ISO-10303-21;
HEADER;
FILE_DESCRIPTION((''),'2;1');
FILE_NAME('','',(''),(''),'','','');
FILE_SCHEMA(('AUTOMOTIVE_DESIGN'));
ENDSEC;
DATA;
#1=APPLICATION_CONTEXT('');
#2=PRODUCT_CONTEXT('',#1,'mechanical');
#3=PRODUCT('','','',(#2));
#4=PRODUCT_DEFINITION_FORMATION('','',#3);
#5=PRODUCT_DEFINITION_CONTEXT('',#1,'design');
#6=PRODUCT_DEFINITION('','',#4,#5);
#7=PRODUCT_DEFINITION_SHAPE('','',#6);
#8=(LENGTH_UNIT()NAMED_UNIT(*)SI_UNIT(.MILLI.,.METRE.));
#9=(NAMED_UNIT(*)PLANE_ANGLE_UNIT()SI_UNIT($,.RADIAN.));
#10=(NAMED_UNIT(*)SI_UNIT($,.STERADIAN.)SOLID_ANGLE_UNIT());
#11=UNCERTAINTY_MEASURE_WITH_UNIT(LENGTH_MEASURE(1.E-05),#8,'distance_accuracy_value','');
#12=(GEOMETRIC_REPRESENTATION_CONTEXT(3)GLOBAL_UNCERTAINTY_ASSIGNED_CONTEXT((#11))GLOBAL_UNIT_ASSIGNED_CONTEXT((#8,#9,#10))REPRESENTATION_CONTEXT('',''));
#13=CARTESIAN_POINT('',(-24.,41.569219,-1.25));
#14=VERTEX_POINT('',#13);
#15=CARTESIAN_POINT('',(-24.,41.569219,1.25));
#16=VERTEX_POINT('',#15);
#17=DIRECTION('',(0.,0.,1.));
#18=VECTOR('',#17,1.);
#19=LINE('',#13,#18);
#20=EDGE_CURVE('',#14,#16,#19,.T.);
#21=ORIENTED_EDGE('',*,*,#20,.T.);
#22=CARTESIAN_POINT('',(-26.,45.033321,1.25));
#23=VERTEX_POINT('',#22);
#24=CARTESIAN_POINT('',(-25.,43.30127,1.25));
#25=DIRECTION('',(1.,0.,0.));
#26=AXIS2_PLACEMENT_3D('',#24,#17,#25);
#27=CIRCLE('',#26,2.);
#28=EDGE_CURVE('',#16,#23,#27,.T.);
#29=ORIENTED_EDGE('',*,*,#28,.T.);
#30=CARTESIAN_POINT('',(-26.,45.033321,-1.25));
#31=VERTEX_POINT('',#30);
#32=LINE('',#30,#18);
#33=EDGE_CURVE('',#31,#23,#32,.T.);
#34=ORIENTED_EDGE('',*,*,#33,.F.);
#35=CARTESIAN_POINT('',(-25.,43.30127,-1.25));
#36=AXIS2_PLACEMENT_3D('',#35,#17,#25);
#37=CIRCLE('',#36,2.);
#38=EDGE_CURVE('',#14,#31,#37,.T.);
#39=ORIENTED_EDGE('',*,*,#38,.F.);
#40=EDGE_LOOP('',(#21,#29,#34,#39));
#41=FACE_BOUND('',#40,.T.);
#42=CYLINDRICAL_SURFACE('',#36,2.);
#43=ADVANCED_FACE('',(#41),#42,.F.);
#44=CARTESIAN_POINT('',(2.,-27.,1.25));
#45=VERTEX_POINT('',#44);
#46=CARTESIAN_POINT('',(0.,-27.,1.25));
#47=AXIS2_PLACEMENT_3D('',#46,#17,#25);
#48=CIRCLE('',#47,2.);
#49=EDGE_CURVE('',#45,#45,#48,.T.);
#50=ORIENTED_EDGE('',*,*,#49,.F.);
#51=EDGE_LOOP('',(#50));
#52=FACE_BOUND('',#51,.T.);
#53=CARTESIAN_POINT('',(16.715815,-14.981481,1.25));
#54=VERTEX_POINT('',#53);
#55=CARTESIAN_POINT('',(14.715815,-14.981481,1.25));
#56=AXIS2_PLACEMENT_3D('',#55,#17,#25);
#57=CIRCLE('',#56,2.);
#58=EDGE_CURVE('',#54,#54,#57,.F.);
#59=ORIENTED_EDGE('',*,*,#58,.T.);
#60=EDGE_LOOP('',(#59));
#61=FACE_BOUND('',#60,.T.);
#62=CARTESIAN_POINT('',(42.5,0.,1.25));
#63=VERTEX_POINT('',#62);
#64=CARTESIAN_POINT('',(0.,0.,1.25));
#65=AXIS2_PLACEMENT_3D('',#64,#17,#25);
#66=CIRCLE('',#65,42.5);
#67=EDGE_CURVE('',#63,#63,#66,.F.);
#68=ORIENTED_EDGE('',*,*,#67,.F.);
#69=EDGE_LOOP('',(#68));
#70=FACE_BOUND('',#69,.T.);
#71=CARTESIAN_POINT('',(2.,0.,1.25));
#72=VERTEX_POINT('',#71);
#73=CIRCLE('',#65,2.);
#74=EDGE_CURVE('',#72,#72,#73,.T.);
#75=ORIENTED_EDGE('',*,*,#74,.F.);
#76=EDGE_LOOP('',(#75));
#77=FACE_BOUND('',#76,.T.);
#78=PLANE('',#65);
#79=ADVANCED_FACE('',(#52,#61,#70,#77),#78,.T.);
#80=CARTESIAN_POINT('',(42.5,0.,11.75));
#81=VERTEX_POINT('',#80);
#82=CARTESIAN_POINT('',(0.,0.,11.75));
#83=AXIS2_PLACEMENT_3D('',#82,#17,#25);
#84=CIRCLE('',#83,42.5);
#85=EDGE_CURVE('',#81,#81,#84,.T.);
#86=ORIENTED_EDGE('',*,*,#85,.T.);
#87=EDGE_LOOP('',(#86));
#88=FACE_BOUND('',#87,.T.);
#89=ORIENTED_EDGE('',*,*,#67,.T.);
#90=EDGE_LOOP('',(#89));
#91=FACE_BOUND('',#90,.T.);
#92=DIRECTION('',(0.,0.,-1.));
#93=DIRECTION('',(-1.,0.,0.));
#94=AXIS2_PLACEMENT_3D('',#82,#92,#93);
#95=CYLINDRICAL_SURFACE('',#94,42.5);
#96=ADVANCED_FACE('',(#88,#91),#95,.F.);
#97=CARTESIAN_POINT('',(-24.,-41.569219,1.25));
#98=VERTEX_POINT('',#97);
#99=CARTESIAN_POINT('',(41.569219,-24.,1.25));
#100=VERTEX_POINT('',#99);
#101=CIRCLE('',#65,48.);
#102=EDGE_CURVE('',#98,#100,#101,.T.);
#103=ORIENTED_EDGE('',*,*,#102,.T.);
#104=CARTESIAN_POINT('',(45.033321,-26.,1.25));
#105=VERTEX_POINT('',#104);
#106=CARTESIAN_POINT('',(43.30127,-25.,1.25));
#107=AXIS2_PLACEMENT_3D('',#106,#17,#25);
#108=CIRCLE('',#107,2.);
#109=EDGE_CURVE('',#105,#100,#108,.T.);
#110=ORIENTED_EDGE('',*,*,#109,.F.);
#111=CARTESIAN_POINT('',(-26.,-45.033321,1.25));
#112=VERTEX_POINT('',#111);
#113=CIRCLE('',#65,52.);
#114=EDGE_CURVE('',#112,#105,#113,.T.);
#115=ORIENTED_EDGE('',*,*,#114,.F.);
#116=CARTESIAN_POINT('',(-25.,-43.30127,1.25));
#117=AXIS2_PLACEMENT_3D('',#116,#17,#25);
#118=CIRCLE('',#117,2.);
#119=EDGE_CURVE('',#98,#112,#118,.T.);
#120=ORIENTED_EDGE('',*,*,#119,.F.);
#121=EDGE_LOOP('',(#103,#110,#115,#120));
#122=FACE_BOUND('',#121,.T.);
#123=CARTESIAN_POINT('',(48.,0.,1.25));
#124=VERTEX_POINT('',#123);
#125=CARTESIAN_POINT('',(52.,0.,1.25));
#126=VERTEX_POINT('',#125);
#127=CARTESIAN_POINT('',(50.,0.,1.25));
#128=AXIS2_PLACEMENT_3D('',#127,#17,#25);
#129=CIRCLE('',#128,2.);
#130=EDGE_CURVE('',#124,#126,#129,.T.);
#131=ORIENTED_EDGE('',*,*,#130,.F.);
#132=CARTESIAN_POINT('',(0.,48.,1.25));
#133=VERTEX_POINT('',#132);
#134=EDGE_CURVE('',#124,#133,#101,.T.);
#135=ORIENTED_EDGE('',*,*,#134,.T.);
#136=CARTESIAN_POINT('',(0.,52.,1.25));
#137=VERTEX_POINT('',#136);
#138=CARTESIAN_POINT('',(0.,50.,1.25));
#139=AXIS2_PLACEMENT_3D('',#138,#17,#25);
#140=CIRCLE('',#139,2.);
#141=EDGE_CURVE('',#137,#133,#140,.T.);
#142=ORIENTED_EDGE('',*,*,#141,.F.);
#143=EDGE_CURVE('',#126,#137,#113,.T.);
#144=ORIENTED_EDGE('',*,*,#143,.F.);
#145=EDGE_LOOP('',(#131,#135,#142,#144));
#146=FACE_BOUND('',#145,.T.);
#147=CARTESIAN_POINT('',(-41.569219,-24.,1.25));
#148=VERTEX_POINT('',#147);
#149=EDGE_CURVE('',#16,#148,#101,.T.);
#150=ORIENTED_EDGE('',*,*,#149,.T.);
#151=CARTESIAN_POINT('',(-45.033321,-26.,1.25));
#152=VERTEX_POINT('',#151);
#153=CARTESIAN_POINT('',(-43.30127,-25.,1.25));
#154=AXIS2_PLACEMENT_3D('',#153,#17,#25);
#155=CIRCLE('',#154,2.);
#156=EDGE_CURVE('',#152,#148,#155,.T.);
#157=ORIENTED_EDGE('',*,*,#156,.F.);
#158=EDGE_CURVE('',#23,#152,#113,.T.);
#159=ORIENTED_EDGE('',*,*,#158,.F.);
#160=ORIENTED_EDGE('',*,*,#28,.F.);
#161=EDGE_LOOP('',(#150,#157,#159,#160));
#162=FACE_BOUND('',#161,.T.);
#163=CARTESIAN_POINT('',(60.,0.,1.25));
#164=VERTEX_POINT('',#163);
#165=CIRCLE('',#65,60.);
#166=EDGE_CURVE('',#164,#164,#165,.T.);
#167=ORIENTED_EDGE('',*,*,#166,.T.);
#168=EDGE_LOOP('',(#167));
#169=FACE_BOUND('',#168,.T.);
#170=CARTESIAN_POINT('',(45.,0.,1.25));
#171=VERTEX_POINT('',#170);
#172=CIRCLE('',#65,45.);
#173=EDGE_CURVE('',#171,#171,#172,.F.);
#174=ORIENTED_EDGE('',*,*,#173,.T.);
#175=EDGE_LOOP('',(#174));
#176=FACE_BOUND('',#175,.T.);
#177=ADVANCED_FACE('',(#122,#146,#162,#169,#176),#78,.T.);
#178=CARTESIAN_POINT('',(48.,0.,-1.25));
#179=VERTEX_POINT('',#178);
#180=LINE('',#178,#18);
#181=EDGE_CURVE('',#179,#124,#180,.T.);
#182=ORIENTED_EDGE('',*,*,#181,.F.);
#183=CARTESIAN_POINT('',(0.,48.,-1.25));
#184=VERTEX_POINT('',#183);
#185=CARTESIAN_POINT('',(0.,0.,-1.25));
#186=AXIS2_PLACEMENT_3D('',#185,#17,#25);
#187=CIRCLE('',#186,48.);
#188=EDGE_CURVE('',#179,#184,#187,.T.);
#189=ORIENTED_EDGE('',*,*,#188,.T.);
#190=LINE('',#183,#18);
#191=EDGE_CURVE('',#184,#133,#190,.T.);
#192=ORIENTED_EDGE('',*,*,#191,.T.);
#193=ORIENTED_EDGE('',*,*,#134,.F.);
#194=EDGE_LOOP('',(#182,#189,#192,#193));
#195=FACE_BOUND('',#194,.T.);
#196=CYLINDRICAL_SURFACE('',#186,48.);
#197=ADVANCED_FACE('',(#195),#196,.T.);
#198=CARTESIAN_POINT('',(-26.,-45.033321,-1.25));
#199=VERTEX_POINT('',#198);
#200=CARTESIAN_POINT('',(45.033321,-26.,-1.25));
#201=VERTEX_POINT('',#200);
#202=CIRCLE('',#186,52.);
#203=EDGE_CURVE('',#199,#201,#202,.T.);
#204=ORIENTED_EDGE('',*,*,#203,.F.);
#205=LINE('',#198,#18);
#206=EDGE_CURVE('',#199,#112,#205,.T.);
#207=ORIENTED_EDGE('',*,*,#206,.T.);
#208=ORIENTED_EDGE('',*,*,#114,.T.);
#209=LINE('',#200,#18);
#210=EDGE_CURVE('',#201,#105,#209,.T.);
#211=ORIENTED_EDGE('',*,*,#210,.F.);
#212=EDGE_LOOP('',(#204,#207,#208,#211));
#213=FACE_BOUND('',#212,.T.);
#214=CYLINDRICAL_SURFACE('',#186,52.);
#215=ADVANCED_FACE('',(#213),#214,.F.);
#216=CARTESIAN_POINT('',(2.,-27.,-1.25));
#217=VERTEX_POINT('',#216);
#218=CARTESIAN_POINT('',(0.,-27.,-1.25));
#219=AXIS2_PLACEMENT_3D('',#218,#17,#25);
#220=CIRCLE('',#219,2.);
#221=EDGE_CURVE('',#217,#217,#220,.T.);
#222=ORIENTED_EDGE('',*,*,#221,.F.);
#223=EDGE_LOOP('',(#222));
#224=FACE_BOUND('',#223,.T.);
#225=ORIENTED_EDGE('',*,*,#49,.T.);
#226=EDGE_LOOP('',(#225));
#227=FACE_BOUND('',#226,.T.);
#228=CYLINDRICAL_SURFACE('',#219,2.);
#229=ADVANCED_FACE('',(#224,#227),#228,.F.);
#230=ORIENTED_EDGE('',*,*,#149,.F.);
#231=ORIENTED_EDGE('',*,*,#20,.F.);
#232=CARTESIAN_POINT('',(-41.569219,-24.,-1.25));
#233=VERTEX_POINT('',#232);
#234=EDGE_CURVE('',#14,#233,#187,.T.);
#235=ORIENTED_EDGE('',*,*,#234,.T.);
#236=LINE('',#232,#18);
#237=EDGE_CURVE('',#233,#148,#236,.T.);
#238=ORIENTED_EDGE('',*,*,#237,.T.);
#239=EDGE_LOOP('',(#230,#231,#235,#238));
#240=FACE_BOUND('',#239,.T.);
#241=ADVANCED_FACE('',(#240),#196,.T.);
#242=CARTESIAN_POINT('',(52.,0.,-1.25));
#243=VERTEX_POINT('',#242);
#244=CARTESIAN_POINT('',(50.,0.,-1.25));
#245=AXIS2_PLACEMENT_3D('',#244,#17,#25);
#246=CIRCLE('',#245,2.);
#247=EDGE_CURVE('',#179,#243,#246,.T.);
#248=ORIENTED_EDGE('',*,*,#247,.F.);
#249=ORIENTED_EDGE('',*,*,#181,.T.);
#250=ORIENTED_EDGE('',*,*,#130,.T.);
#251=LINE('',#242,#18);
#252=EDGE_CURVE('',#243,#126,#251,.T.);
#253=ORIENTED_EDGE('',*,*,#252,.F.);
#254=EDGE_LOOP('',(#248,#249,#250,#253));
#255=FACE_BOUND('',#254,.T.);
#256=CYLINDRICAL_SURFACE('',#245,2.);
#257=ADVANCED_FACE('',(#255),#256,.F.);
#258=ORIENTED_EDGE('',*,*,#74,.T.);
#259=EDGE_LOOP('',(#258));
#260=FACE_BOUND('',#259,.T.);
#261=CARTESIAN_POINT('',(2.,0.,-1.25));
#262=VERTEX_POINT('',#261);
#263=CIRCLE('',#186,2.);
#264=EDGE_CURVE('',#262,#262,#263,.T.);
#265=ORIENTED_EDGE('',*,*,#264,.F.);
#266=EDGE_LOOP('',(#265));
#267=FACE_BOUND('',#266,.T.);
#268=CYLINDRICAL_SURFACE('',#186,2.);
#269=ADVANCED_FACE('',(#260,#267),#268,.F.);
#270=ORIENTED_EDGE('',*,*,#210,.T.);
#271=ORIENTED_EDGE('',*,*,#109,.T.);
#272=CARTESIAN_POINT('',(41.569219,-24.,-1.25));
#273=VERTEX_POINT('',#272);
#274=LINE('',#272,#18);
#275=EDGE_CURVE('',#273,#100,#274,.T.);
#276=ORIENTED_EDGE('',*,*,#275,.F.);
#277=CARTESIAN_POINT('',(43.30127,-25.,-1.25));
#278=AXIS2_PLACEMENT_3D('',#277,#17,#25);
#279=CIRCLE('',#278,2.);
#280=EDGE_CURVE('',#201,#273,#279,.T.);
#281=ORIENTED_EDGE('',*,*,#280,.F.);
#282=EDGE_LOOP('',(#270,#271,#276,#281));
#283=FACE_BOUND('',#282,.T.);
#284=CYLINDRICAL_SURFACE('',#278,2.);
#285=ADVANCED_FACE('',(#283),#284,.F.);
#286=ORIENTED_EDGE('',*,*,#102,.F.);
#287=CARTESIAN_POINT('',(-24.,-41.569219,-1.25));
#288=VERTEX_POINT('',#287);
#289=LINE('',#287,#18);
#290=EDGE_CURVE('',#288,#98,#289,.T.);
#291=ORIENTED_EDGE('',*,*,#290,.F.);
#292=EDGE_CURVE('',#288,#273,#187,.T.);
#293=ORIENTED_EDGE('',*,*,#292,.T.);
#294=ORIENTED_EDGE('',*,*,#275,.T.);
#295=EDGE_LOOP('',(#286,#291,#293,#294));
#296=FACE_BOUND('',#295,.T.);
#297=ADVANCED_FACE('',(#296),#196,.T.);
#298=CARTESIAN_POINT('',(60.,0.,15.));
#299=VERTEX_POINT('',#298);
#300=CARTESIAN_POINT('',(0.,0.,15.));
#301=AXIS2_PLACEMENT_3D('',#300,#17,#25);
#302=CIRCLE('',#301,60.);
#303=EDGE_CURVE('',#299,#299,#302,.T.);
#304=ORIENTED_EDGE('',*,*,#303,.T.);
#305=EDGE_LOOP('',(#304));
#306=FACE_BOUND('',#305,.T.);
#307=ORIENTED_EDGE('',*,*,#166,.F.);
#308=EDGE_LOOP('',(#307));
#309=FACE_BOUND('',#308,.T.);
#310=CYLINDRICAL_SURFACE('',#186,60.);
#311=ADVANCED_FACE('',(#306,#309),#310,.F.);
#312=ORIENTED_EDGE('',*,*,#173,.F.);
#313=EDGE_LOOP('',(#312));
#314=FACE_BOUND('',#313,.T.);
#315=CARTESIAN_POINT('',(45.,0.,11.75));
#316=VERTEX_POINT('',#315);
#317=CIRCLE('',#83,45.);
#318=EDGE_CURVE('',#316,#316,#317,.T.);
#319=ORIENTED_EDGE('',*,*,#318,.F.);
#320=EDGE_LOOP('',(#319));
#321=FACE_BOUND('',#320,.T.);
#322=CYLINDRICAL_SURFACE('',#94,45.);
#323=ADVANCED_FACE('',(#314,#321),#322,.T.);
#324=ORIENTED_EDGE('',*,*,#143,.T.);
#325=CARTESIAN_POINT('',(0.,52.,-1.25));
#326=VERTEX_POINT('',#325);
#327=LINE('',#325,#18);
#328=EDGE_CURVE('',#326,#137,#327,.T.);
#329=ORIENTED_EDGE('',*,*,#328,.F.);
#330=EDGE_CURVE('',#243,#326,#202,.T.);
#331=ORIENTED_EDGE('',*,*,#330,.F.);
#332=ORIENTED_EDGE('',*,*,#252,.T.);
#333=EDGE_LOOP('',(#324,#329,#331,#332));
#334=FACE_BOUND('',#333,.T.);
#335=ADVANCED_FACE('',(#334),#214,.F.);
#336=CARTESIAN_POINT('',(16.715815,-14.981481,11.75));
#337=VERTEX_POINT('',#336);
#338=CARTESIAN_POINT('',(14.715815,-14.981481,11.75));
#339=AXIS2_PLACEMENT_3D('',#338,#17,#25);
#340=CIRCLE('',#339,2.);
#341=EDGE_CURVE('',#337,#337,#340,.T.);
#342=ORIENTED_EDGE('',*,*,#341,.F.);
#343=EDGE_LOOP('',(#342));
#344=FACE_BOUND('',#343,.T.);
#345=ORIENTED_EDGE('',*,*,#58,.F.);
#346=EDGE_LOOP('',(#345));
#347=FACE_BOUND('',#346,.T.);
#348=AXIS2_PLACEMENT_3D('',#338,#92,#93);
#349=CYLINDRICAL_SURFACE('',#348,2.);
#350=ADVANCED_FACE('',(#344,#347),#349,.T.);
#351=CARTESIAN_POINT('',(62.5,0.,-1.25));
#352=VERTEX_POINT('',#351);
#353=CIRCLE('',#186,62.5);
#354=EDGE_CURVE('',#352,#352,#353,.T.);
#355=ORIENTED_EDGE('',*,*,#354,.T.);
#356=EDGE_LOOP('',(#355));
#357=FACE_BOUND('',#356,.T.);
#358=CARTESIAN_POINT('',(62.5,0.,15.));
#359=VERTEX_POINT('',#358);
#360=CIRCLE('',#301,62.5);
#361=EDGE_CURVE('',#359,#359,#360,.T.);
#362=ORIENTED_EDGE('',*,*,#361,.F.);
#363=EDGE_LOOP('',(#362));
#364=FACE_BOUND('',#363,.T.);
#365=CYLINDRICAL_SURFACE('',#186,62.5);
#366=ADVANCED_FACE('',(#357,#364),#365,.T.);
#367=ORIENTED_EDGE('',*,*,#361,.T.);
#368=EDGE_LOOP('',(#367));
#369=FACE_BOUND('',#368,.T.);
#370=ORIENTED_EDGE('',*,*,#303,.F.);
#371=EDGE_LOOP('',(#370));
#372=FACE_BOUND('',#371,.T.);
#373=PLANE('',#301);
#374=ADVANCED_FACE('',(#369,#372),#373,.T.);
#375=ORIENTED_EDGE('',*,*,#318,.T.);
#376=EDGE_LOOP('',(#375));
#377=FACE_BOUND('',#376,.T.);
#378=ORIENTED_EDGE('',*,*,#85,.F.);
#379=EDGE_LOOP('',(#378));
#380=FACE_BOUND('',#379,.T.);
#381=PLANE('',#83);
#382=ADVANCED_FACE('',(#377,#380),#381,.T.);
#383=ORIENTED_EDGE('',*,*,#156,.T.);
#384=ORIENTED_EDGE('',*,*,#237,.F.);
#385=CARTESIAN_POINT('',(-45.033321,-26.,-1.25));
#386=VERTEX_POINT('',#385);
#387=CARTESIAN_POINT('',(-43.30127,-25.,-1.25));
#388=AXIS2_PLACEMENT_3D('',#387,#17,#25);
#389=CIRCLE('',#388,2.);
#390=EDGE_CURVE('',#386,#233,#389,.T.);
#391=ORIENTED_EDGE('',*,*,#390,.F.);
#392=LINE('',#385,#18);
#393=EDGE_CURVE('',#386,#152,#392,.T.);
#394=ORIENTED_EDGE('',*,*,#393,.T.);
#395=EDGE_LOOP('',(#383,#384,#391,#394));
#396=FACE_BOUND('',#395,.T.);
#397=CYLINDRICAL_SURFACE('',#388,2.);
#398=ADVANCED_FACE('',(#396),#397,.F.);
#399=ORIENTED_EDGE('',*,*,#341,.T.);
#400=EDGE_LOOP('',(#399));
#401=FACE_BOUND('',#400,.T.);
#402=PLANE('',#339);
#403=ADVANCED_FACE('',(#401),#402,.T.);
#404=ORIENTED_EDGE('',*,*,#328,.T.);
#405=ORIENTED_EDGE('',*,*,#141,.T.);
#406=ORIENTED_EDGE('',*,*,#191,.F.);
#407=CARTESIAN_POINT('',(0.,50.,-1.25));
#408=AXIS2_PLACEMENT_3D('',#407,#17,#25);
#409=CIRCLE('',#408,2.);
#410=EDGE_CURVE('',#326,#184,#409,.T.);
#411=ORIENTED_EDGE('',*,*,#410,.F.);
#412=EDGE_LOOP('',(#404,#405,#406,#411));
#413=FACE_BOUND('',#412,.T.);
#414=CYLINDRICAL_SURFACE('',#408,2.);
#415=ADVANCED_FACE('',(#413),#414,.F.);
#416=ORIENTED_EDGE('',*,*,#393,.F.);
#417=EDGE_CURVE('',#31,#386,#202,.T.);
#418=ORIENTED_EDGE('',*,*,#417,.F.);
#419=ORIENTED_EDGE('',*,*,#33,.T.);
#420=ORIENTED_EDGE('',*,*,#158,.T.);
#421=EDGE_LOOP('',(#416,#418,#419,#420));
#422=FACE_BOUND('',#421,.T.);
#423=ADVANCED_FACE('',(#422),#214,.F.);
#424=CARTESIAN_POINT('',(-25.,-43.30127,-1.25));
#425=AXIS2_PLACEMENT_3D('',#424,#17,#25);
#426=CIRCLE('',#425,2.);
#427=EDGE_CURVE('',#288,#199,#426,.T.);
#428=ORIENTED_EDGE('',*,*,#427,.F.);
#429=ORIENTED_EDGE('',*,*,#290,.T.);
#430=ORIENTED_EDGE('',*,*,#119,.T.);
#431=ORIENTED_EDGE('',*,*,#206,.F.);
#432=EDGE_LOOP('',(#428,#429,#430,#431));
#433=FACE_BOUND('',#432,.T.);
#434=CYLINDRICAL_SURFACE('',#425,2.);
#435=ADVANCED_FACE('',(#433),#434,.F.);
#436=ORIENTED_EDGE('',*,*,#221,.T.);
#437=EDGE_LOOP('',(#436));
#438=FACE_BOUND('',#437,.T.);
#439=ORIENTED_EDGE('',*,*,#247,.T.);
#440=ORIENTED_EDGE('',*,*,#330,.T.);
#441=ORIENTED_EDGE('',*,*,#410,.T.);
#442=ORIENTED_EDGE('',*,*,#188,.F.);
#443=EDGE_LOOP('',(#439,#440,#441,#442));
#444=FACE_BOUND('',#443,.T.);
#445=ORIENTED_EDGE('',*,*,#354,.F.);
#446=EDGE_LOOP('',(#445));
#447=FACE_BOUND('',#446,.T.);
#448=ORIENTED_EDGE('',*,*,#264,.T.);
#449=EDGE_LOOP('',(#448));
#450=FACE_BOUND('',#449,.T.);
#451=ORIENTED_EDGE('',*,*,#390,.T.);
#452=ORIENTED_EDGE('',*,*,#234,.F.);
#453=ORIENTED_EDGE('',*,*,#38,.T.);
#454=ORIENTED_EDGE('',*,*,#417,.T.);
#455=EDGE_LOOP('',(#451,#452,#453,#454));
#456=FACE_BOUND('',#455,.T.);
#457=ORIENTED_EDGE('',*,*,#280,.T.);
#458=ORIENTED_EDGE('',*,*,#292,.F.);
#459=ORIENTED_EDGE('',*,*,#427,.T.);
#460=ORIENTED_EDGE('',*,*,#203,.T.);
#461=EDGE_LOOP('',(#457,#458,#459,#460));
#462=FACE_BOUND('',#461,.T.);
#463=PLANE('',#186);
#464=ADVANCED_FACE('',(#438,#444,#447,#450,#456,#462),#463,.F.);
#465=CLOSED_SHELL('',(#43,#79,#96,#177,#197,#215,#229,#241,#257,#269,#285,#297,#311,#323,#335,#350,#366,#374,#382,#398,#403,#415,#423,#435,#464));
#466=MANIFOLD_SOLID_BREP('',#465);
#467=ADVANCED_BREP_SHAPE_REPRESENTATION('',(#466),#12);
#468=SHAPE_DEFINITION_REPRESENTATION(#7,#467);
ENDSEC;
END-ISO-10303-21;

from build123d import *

# Parameters (mm, degrees)
BOSS_EXTRUDE1_DEPTH      = 1.25
BOSS_EXTRUDE1_DEPTH_BACK = 1.25
SKETCH1_R                = 60
SKETCH1_R_2              = 2
SKETCH1_3_R              = 45
SKETCH1_3_R_2            = 42.5
SKETCH1_3_R_3            = 2
BOSS_EXTRUDE2_DEPTH      = 11.75
BOSS_EXTRUDE3_DEPTH      = 15
BOSS_EXTRUDE3_DEPTH_BACK = 1.25
SKETCH1_4_R              = 62.5
SKETCH1_4_R_2            = 60


with BuildPart() as part:
    # Sketch1 → Boss-Extrude1 (new, two sides: drawn at the far end of the back side and taken through both)
    with BuildSketch(Plane.XY.offset(-BOSS_EXTRUDE1_DEPTH_BACK)):
        Circle(SKETCH1_R)
        with BuildLine():
            ThreePointArc((45.033320997, -26), (13.458590345, -50.228142967), (-26, -45.033320997))
            ThreePointArc((-26, -45.033320997), (-26.732050808, -42.301270189), (-24, -41.569219382))
            ThreePointArc((-24, -41.569219382), (12.423314165, -46.364439662), (41.569219382, -24))
            ThreePointArc((41.569219382, -24), (44.301270189, -23.267949192), (45.033320997, -26))
        make_face(mode=Mode.SUBTRACT)
        with BuildLine():
            ThreePointArc((-45.033320997, -26), (-50.228142967, 13.458590345), (-26, 45.033320997))
            ThreePointArc((-26, 45.033320997), (-23.267949192, 44.301270189), (-24, 41.569219382))
            ThreePointArc((-24, 41.569219382), (-46.364439662, 12.423314165), (-41.569219382, -24))
            ThreePointArc((-41.569219382, -24), (-42.301270189, -26.732050808), (-45.033320997, -26))
        make_face(mode=Mode.SUBTRACT)
        with BuildLine():
            ThreePointArc((0, 52), (36.769552622, 36.769552622), (52, 0))
            ThreePointArc((52, 0), (50, -2), (48, 0))
            ThreePointArc((48, 0), (33.941125497, 33.941125497), (0, 48))
            ThreePointArc((0, 48), (-2, 50), (0, 52))
        make_face(mode=Mode.SUBTRACT)
        Circle(SKETCH1_R_2, mode=Mode.SUBTRACT)
        with Locations((0, -27)):
            Circle(SKETCH1_R_2, mode=Mode.SUBTRACT)
    extrude(amount=BOSS_EXTRUDE1_DEPTH + BOSS_EXTRUDE1_DEPTH_BACK)

    # Sketch1<3> → Boss-Extrude2 (add)
    # profile 1 of 2: a face of its own
    with BuildSketch(Plane.XY):
        Circle(SKETCH1_3_R)
        Circle(SKETCH1_3_R_2, mode=Mode.SUBTRACT)
    # profile 2 of 2: a face of its own
    with BuildSketch(Plane.XY):
        with Locations((14.715815051, -14.981481481)):
            Circle(SKETCH1_3_R_3)
    extrude(amount=BOSS_EXTRUDE2_DEPTH)

    # Sketch1<4> → Boss-Extrude3 (add, two sides: drawn at the far end of the back side and taken through both)
    with BuildSketch(Plane.XY.offset(-BOSS_EXTRUDE3_DEPTH_BACK)):
        Circle(SKETCH1_4_R)
        Circle(SKETCH1_4_R_2, mode=Mode.SUBTRACT)
    extrude(amount=BOSS_EXTRUDE3_DEPTH + BOSS_EXTRUDE3_DEPTH_BACK)


solid = part.part
